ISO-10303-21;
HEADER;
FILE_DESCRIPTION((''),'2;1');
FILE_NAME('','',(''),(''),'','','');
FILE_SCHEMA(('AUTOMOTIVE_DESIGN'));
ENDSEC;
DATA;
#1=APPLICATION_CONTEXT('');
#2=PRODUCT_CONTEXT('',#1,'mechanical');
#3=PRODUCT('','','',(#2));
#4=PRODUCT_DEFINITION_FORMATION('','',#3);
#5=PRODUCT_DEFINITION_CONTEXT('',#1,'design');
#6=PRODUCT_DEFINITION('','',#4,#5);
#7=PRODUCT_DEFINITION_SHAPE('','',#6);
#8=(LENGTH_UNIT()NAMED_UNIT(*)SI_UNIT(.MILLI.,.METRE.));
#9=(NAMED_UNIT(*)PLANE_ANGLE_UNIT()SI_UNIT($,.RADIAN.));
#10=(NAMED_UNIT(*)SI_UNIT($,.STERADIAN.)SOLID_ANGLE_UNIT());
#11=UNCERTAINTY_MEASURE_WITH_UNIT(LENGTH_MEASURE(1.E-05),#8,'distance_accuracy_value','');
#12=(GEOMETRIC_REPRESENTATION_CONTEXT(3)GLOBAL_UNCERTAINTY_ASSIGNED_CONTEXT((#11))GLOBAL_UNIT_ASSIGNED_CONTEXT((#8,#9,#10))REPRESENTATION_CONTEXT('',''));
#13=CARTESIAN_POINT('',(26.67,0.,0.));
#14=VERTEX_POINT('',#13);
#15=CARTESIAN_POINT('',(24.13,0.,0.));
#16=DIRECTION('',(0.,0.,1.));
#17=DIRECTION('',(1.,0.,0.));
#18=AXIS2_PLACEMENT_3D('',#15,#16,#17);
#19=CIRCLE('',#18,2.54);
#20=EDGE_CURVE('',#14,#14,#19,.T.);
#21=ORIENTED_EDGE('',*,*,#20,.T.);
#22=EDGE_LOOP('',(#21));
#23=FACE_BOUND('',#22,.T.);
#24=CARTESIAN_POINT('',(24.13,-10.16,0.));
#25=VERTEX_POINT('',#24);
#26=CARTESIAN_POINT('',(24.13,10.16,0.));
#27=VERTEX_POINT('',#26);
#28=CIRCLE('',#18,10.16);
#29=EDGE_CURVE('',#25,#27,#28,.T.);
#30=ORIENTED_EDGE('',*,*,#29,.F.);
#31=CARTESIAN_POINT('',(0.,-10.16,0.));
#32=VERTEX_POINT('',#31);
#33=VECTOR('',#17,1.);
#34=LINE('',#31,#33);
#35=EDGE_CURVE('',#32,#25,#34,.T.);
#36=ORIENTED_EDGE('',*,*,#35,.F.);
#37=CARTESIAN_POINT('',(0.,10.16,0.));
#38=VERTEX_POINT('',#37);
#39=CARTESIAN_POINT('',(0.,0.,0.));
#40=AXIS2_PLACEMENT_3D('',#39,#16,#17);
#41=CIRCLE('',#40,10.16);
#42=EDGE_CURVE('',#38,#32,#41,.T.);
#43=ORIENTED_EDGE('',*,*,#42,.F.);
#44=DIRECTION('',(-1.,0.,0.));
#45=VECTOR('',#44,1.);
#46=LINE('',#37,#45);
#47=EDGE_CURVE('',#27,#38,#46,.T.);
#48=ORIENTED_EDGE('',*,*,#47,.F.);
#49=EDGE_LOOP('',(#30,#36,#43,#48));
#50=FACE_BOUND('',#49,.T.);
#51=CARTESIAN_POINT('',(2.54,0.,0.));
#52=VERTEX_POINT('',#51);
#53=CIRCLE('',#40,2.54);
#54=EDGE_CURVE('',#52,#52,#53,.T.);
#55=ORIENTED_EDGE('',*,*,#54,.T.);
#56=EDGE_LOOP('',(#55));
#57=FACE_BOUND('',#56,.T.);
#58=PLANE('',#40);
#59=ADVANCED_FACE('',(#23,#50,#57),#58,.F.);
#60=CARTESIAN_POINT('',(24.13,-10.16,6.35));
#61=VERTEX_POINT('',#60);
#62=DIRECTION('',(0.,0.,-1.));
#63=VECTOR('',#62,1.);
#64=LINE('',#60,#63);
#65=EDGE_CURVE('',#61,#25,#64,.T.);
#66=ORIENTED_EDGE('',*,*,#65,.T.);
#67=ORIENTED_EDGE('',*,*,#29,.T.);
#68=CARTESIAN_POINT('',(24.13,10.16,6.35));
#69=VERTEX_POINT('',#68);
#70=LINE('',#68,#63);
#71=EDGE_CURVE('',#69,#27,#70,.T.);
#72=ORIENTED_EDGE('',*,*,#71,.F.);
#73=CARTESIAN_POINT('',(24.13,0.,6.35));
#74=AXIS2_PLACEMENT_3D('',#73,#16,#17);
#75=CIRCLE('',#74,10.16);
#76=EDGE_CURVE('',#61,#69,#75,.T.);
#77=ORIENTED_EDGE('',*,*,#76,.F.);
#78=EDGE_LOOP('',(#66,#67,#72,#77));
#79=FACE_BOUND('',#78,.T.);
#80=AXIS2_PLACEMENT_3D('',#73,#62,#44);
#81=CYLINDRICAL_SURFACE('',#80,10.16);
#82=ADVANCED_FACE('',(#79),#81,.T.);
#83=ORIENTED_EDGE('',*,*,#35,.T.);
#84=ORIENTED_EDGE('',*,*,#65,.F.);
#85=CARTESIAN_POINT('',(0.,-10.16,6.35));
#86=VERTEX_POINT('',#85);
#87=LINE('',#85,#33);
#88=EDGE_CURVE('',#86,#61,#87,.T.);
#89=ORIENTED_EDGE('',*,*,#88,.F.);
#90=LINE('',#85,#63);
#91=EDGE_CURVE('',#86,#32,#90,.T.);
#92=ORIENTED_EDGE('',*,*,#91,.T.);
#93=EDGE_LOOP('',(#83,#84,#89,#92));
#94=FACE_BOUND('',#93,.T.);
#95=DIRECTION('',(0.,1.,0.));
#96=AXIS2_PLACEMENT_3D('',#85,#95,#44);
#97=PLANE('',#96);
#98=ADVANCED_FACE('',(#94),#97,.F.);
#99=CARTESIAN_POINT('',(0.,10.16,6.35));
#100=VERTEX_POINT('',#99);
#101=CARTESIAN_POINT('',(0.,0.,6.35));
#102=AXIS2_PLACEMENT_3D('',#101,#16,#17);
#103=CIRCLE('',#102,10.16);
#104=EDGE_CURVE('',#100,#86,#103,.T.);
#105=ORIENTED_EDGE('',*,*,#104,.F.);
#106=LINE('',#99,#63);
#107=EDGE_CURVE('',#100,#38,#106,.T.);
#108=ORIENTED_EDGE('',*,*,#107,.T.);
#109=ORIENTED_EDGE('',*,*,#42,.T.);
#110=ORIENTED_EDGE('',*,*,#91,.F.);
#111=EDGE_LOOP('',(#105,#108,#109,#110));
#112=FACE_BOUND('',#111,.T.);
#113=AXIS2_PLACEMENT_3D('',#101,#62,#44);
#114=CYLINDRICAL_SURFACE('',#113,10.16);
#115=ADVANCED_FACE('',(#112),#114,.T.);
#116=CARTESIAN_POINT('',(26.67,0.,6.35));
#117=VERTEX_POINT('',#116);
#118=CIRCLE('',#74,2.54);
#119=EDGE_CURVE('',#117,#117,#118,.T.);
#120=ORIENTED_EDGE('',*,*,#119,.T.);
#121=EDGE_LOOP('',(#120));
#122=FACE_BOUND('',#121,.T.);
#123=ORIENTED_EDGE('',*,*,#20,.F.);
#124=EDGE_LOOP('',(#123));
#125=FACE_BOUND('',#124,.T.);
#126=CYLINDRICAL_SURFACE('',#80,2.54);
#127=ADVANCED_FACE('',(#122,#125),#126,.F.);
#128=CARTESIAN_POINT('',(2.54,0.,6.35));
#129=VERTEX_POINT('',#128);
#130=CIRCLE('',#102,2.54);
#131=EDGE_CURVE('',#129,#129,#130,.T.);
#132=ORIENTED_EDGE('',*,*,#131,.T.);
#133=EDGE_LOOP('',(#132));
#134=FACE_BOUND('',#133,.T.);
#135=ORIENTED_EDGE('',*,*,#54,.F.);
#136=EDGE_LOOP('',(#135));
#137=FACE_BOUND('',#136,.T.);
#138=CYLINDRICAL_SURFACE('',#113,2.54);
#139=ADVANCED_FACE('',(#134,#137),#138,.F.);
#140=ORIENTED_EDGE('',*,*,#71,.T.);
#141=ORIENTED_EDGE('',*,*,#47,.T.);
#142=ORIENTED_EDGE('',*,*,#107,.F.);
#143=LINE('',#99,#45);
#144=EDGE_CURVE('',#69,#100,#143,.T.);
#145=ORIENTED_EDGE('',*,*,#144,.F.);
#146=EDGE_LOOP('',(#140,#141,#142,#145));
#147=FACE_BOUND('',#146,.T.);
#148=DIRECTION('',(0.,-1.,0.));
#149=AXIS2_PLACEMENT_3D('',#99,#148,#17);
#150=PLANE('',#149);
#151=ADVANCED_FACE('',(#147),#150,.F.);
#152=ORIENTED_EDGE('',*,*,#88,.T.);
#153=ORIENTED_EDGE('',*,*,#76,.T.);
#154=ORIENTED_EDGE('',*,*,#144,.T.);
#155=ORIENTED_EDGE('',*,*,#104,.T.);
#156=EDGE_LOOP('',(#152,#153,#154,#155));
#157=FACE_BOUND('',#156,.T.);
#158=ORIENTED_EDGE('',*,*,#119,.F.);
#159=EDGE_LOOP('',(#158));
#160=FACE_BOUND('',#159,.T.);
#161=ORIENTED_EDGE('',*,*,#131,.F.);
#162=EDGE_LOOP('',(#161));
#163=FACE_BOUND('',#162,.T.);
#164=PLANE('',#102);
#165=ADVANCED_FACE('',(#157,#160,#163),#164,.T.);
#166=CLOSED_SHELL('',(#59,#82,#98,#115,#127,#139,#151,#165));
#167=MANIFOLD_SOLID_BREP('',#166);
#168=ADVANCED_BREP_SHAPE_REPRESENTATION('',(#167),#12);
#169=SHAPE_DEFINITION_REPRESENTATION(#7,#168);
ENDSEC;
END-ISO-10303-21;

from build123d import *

# Parameters (mm, degrees)
SKETCH1_R           = 2.54
BOSS_EXTRUDE1_DEPTH = 6.35


with BuildPart() as part:
    # Sketch1 → Boss-Extrude1 (new body)
    with BuildSketch(Plane.XY):
        with BuildLine():
            Line((0, 10.16), (24.13, 10.16))
            ThreePointArc((24.13, 10.16), (34.29, 0), (24.13, -10.16))
            Line((24.13, -10.16), (0, -10.16))
            ThreePointArc((0, -10.16), (-10.16, 0), (0, 10.16))
        make_face()
        Circle(SKETCH1_R, mode=Mode.SUBTRACT)
        with Locations((24.13, 0)):
            Circle(SKETCH1_R, mode=Mode.SUBTRACT)
    extrude(amount=BOSS_EXTRUDE1_DEPTH)


solid = part.part
